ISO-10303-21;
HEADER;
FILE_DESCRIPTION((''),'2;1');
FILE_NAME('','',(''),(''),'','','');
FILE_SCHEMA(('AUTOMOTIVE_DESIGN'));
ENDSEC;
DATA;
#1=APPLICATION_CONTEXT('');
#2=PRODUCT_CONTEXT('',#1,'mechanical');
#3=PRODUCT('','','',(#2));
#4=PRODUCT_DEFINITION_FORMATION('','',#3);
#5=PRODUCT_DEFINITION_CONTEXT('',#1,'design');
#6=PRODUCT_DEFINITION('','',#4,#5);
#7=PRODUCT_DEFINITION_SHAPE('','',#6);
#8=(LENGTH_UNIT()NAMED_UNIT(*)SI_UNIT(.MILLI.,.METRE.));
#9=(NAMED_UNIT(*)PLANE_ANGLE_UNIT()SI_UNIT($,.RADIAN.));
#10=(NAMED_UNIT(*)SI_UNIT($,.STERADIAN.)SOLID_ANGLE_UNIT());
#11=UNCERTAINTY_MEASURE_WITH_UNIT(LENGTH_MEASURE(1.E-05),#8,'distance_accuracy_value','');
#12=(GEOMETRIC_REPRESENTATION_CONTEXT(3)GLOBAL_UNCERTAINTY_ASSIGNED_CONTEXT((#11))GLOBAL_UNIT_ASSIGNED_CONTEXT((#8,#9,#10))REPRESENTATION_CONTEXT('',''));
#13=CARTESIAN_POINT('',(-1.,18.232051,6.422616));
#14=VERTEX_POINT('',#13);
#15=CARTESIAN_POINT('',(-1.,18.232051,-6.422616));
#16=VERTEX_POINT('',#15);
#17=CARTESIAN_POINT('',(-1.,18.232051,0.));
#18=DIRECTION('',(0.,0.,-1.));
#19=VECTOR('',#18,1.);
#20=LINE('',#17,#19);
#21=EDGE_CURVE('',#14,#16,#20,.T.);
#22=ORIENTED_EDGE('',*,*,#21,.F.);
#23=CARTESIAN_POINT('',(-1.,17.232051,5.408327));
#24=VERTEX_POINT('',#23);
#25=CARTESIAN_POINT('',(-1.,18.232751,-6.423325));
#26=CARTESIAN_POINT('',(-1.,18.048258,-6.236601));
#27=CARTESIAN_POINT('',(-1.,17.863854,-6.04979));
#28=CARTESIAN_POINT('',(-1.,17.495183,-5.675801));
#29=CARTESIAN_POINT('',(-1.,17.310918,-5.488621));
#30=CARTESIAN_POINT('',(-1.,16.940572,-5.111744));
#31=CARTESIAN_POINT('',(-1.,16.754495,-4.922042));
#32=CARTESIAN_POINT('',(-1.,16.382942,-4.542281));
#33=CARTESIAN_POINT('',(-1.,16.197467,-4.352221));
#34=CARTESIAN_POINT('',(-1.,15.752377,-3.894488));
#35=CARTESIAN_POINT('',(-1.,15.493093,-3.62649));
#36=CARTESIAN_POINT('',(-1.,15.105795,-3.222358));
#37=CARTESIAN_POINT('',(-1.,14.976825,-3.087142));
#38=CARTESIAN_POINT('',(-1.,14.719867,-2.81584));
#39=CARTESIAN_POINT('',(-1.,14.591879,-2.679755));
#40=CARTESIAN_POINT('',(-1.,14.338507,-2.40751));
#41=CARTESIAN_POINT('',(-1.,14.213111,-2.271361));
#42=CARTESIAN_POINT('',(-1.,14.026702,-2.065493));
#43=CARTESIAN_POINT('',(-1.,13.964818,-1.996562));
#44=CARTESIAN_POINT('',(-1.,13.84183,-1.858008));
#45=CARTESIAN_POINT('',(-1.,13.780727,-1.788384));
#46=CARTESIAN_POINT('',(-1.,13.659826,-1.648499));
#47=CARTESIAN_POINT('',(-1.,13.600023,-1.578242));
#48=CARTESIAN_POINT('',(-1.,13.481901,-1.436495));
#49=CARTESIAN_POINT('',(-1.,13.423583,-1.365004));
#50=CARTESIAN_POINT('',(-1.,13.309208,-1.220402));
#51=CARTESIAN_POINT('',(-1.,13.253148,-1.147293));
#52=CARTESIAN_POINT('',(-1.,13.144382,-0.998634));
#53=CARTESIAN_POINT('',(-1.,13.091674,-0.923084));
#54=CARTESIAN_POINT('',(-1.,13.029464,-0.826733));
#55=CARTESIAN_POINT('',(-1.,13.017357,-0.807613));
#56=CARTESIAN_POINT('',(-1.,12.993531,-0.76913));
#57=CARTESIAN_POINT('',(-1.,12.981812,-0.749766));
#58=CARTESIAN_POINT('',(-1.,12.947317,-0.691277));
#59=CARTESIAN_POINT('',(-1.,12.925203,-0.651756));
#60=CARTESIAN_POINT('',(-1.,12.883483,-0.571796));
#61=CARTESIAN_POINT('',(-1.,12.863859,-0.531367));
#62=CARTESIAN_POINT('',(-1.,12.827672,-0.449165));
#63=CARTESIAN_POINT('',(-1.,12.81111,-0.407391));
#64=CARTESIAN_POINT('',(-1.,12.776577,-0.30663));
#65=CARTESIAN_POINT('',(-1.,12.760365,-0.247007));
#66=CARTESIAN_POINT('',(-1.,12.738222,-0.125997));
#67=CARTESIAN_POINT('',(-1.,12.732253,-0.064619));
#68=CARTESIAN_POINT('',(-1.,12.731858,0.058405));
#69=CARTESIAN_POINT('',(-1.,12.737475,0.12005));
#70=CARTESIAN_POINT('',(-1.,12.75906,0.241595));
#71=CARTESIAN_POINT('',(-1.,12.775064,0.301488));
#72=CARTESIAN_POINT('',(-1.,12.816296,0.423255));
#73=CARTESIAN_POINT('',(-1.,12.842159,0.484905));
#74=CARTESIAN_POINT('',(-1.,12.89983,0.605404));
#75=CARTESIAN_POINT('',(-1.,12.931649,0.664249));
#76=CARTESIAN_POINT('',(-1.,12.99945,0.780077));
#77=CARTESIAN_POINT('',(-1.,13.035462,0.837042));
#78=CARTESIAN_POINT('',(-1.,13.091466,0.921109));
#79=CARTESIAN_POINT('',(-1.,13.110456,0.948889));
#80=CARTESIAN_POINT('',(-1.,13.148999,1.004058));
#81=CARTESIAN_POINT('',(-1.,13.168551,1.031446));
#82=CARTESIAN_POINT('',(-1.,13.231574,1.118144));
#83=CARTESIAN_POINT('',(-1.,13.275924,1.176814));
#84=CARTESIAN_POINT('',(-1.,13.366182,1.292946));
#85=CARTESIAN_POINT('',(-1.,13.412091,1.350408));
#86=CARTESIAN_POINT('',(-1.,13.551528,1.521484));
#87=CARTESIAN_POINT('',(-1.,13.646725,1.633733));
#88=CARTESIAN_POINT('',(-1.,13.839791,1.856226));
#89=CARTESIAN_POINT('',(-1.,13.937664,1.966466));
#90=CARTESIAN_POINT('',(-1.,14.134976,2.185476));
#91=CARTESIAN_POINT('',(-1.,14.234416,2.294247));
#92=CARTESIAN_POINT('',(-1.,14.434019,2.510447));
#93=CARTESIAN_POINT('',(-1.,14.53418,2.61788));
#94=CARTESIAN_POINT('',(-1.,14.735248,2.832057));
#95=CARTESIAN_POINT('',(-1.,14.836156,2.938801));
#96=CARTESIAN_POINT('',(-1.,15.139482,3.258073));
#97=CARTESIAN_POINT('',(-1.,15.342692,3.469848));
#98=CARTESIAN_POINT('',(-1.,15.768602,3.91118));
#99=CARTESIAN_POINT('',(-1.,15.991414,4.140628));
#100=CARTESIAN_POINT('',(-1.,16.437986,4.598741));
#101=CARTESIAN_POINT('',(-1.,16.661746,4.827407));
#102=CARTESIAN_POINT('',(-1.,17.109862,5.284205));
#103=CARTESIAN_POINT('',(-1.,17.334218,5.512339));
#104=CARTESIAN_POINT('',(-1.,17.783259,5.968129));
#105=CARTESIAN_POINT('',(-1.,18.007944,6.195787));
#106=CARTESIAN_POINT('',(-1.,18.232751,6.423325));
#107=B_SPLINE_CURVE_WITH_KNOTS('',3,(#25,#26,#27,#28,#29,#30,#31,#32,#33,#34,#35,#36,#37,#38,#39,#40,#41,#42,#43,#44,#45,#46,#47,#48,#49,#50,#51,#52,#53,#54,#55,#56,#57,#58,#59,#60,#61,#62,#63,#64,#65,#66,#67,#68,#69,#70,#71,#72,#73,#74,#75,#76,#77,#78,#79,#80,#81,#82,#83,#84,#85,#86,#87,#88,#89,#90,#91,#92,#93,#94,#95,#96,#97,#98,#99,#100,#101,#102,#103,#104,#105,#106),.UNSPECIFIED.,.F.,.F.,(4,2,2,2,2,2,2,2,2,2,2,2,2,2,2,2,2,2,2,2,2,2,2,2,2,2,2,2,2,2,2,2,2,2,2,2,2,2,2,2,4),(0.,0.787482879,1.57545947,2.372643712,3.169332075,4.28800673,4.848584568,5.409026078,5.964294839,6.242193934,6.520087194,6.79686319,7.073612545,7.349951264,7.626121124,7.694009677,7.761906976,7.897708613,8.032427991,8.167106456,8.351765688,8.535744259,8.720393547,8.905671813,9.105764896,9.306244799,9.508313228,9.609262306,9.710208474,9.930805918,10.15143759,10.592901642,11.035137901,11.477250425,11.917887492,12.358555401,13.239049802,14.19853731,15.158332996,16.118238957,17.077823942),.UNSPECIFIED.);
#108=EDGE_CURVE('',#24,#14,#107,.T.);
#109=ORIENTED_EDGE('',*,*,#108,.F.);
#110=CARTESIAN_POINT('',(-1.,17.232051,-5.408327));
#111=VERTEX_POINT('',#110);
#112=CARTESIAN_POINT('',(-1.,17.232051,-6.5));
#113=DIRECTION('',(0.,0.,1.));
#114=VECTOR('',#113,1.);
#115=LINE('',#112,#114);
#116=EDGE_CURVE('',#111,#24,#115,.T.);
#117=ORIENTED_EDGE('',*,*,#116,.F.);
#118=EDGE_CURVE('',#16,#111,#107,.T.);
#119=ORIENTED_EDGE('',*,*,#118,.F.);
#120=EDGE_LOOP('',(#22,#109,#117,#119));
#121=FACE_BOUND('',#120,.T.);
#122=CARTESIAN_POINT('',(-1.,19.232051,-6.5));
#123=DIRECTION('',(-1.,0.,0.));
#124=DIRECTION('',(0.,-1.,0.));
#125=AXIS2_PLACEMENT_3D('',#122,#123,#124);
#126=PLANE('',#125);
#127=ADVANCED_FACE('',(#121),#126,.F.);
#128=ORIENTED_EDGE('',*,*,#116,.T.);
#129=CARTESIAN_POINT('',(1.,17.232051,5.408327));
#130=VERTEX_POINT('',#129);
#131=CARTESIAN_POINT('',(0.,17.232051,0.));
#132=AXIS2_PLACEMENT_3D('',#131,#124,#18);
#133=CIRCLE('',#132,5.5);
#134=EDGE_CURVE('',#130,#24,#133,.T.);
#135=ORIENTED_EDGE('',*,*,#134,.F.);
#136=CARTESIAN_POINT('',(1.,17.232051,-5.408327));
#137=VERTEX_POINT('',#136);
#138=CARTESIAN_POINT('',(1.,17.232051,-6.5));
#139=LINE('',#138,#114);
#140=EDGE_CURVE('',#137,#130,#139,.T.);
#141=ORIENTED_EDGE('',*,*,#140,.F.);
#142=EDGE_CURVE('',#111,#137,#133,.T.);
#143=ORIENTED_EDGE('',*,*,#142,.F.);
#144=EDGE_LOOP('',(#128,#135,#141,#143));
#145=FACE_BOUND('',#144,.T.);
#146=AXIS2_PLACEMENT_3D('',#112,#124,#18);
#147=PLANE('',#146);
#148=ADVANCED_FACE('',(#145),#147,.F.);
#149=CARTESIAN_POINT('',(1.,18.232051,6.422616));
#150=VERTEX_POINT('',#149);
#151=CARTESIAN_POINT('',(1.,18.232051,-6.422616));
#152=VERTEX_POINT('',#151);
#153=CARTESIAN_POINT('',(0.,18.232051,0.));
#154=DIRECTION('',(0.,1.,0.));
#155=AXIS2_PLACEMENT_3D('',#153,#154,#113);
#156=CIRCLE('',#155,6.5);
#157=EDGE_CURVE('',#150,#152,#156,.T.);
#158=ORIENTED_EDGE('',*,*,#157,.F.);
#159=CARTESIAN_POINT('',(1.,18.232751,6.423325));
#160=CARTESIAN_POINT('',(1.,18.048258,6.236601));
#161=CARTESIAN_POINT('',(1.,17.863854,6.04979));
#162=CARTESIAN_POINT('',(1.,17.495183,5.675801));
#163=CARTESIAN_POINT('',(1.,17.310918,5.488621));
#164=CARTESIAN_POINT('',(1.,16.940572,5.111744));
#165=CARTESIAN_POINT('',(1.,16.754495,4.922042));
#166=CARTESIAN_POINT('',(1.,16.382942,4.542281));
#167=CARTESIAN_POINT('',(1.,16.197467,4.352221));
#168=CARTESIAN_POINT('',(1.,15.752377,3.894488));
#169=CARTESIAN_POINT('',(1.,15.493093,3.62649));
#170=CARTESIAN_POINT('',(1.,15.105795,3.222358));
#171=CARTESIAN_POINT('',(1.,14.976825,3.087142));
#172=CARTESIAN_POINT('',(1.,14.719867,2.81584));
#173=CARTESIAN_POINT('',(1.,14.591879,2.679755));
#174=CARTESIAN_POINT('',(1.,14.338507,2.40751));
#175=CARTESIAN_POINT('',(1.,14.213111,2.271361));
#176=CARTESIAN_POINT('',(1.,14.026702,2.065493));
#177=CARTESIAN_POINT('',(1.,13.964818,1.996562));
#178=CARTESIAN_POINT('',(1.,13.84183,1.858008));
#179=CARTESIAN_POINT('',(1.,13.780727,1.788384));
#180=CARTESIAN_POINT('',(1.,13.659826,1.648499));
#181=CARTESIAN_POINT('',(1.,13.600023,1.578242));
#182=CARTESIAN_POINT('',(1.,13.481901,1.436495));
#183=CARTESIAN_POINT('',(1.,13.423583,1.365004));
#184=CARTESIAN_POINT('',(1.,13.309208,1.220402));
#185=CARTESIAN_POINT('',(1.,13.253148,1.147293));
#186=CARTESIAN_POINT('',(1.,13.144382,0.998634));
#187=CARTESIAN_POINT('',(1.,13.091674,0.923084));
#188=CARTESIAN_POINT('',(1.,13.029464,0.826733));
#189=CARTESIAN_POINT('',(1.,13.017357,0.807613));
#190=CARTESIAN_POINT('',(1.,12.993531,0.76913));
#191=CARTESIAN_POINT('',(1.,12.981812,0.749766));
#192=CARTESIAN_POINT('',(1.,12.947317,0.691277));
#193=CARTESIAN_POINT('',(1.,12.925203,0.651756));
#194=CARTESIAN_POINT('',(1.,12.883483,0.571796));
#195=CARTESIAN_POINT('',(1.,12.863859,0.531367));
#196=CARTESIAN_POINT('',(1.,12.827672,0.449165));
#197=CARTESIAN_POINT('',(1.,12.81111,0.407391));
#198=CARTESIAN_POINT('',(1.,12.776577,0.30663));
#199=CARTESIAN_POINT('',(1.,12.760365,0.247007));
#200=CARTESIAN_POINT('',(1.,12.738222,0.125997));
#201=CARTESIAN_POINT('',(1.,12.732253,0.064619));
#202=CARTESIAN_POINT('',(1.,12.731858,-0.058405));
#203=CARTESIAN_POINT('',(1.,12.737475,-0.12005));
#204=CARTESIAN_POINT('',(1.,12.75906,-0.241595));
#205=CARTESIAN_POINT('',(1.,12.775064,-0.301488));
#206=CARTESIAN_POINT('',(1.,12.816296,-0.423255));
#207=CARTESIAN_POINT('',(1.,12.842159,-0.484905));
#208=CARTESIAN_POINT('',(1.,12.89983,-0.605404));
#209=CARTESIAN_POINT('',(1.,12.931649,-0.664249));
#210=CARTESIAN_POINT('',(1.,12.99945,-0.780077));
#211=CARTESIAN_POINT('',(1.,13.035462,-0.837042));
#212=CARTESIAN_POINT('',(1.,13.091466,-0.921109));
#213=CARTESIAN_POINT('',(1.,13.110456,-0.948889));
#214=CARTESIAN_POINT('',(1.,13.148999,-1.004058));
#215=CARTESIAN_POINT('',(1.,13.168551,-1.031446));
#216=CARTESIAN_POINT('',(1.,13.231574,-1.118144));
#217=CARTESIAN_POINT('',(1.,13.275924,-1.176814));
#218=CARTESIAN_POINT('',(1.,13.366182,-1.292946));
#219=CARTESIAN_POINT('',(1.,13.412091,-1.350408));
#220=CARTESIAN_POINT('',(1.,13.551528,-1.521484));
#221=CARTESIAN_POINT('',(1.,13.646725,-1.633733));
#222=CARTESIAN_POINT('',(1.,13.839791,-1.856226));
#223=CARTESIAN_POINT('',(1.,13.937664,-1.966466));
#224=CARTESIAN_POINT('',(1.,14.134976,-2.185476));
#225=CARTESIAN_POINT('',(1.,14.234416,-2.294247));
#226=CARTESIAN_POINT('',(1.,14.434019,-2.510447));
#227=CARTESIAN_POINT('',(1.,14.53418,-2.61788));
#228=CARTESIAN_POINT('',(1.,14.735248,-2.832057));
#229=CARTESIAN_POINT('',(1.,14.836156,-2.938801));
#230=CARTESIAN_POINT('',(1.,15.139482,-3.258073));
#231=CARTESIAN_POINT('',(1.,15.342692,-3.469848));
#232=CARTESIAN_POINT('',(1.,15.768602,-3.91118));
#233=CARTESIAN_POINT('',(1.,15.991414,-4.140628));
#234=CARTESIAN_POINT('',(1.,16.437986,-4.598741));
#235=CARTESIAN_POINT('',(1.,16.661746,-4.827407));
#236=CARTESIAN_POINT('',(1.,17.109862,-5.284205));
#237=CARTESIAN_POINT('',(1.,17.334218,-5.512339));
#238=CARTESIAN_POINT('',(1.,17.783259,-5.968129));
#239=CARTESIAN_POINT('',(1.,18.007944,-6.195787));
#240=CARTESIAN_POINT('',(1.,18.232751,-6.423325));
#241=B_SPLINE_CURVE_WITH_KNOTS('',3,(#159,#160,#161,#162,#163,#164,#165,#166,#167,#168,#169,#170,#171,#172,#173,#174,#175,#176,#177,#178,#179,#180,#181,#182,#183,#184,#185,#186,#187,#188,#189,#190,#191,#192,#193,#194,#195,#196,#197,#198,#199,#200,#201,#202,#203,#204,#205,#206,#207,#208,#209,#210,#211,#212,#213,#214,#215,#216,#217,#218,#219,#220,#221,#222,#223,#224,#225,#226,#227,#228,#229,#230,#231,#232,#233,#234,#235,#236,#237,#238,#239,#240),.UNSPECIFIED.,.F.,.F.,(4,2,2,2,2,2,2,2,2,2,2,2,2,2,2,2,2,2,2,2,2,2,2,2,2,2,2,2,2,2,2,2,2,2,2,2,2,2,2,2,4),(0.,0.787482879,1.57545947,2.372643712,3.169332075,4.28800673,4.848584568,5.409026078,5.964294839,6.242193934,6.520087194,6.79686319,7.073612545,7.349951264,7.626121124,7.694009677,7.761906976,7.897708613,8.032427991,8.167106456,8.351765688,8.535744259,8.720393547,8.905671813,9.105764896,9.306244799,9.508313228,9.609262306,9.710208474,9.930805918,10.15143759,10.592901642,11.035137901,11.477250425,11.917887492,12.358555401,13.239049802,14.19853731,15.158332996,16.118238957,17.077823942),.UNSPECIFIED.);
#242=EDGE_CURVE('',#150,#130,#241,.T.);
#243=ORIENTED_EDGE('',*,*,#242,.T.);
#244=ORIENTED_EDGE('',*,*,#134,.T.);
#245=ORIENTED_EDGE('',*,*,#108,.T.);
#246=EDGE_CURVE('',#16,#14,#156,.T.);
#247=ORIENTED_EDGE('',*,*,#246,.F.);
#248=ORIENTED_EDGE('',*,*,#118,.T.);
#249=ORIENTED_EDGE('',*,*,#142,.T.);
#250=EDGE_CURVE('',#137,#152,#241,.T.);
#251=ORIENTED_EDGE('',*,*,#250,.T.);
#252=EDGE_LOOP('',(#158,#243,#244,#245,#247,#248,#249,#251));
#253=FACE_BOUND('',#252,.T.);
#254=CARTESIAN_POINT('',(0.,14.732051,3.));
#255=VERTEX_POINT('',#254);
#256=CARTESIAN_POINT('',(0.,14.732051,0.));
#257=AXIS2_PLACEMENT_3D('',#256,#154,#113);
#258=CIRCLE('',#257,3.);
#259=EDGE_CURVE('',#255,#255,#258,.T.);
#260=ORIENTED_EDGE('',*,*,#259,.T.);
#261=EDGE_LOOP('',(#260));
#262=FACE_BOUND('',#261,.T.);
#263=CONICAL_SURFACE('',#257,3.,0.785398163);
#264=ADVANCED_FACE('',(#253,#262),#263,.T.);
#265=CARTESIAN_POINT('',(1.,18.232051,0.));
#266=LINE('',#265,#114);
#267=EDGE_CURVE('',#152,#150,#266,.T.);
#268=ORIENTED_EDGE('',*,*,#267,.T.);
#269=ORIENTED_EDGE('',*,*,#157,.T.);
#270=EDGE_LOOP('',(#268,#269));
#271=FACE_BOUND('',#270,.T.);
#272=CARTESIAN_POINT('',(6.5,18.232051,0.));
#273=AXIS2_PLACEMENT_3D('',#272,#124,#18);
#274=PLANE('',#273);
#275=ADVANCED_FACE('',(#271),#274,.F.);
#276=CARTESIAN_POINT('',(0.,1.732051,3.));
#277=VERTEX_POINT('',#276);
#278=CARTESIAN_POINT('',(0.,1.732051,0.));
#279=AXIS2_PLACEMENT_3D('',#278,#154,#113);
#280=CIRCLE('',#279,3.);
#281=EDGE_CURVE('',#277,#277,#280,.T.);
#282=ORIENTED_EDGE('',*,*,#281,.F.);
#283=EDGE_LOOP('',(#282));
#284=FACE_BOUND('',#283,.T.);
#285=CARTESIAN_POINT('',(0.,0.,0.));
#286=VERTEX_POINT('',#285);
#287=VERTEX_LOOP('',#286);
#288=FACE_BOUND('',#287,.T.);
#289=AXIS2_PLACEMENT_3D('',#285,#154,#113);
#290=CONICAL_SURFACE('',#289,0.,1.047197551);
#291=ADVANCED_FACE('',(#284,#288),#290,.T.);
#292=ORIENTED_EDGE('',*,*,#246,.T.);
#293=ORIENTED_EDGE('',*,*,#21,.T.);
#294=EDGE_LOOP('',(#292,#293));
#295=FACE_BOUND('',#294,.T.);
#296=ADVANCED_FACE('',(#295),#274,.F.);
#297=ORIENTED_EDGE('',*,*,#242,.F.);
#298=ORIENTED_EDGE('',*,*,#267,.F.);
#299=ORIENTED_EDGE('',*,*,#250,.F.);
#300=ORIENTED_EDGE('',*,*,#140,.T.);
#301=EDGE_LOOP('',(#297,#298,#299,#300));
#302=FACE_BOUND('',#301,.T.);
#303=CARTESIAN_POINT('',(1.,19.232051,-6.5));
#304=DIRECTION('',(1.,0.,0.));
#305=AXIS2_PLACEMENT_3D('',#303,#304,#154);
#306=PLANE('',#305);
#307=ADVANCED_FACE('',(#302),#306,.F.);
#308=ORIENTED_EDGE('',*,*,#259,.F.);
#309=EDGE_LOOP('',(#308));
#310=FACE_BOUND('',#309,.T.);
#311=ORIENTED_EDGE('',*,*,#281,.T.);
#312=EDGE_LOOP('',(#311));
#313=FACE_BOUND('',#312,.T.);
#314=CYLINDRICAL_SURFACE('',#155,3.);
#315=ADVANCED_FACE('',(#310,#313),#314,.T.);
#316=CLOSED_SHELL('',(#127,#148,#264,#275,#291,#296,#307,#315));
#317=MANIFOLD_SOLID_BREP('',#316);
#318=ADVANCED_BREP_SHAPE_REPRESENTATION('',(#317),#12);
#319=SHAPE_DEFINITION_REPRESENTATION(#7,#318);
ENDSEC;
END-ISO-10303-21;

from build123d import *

# Parameters (mm, degrees)
SKETCH2_W               = 2
SKETCH2_H               = 2
CUT_EXTRUDE1_DEPTH      = 7.5
CUT_EXTRUDE1_DEPTH_BACK = 7.5


with BuildPart() as part:
    # Sketch1 → Revolve1 (revolve)
    with BuildSketch(Plane.XY):
        Polygon((3, 1.732050808), (0, 0), (0, 18.232050808), (6.5, 18.232050808), (3, 14.732050808), align=None)
    revolve(axis=Axis((0, 18.232050808, 0), (0, -1, 0)))

    # Sketch2 → Cut-Extrude1 (cut, two sides)
    with BuildSketch(Plane.XY) as cut_extrude1_sk:
        with Locations((0, 18.232050808)):
            Rectangle(SKETCH2_W, SKETCH2_H)
    extrude(amount=CUT_EXTRUDE1_DEPTH, mode=Mode.SUBTRACT)
    extrude(cut_extrude1_sk.sketch, amount=-CUT_EXTRUDE1_DEPTH_BACK, mode=Mode.SUBTRACT)


solid = part.part
